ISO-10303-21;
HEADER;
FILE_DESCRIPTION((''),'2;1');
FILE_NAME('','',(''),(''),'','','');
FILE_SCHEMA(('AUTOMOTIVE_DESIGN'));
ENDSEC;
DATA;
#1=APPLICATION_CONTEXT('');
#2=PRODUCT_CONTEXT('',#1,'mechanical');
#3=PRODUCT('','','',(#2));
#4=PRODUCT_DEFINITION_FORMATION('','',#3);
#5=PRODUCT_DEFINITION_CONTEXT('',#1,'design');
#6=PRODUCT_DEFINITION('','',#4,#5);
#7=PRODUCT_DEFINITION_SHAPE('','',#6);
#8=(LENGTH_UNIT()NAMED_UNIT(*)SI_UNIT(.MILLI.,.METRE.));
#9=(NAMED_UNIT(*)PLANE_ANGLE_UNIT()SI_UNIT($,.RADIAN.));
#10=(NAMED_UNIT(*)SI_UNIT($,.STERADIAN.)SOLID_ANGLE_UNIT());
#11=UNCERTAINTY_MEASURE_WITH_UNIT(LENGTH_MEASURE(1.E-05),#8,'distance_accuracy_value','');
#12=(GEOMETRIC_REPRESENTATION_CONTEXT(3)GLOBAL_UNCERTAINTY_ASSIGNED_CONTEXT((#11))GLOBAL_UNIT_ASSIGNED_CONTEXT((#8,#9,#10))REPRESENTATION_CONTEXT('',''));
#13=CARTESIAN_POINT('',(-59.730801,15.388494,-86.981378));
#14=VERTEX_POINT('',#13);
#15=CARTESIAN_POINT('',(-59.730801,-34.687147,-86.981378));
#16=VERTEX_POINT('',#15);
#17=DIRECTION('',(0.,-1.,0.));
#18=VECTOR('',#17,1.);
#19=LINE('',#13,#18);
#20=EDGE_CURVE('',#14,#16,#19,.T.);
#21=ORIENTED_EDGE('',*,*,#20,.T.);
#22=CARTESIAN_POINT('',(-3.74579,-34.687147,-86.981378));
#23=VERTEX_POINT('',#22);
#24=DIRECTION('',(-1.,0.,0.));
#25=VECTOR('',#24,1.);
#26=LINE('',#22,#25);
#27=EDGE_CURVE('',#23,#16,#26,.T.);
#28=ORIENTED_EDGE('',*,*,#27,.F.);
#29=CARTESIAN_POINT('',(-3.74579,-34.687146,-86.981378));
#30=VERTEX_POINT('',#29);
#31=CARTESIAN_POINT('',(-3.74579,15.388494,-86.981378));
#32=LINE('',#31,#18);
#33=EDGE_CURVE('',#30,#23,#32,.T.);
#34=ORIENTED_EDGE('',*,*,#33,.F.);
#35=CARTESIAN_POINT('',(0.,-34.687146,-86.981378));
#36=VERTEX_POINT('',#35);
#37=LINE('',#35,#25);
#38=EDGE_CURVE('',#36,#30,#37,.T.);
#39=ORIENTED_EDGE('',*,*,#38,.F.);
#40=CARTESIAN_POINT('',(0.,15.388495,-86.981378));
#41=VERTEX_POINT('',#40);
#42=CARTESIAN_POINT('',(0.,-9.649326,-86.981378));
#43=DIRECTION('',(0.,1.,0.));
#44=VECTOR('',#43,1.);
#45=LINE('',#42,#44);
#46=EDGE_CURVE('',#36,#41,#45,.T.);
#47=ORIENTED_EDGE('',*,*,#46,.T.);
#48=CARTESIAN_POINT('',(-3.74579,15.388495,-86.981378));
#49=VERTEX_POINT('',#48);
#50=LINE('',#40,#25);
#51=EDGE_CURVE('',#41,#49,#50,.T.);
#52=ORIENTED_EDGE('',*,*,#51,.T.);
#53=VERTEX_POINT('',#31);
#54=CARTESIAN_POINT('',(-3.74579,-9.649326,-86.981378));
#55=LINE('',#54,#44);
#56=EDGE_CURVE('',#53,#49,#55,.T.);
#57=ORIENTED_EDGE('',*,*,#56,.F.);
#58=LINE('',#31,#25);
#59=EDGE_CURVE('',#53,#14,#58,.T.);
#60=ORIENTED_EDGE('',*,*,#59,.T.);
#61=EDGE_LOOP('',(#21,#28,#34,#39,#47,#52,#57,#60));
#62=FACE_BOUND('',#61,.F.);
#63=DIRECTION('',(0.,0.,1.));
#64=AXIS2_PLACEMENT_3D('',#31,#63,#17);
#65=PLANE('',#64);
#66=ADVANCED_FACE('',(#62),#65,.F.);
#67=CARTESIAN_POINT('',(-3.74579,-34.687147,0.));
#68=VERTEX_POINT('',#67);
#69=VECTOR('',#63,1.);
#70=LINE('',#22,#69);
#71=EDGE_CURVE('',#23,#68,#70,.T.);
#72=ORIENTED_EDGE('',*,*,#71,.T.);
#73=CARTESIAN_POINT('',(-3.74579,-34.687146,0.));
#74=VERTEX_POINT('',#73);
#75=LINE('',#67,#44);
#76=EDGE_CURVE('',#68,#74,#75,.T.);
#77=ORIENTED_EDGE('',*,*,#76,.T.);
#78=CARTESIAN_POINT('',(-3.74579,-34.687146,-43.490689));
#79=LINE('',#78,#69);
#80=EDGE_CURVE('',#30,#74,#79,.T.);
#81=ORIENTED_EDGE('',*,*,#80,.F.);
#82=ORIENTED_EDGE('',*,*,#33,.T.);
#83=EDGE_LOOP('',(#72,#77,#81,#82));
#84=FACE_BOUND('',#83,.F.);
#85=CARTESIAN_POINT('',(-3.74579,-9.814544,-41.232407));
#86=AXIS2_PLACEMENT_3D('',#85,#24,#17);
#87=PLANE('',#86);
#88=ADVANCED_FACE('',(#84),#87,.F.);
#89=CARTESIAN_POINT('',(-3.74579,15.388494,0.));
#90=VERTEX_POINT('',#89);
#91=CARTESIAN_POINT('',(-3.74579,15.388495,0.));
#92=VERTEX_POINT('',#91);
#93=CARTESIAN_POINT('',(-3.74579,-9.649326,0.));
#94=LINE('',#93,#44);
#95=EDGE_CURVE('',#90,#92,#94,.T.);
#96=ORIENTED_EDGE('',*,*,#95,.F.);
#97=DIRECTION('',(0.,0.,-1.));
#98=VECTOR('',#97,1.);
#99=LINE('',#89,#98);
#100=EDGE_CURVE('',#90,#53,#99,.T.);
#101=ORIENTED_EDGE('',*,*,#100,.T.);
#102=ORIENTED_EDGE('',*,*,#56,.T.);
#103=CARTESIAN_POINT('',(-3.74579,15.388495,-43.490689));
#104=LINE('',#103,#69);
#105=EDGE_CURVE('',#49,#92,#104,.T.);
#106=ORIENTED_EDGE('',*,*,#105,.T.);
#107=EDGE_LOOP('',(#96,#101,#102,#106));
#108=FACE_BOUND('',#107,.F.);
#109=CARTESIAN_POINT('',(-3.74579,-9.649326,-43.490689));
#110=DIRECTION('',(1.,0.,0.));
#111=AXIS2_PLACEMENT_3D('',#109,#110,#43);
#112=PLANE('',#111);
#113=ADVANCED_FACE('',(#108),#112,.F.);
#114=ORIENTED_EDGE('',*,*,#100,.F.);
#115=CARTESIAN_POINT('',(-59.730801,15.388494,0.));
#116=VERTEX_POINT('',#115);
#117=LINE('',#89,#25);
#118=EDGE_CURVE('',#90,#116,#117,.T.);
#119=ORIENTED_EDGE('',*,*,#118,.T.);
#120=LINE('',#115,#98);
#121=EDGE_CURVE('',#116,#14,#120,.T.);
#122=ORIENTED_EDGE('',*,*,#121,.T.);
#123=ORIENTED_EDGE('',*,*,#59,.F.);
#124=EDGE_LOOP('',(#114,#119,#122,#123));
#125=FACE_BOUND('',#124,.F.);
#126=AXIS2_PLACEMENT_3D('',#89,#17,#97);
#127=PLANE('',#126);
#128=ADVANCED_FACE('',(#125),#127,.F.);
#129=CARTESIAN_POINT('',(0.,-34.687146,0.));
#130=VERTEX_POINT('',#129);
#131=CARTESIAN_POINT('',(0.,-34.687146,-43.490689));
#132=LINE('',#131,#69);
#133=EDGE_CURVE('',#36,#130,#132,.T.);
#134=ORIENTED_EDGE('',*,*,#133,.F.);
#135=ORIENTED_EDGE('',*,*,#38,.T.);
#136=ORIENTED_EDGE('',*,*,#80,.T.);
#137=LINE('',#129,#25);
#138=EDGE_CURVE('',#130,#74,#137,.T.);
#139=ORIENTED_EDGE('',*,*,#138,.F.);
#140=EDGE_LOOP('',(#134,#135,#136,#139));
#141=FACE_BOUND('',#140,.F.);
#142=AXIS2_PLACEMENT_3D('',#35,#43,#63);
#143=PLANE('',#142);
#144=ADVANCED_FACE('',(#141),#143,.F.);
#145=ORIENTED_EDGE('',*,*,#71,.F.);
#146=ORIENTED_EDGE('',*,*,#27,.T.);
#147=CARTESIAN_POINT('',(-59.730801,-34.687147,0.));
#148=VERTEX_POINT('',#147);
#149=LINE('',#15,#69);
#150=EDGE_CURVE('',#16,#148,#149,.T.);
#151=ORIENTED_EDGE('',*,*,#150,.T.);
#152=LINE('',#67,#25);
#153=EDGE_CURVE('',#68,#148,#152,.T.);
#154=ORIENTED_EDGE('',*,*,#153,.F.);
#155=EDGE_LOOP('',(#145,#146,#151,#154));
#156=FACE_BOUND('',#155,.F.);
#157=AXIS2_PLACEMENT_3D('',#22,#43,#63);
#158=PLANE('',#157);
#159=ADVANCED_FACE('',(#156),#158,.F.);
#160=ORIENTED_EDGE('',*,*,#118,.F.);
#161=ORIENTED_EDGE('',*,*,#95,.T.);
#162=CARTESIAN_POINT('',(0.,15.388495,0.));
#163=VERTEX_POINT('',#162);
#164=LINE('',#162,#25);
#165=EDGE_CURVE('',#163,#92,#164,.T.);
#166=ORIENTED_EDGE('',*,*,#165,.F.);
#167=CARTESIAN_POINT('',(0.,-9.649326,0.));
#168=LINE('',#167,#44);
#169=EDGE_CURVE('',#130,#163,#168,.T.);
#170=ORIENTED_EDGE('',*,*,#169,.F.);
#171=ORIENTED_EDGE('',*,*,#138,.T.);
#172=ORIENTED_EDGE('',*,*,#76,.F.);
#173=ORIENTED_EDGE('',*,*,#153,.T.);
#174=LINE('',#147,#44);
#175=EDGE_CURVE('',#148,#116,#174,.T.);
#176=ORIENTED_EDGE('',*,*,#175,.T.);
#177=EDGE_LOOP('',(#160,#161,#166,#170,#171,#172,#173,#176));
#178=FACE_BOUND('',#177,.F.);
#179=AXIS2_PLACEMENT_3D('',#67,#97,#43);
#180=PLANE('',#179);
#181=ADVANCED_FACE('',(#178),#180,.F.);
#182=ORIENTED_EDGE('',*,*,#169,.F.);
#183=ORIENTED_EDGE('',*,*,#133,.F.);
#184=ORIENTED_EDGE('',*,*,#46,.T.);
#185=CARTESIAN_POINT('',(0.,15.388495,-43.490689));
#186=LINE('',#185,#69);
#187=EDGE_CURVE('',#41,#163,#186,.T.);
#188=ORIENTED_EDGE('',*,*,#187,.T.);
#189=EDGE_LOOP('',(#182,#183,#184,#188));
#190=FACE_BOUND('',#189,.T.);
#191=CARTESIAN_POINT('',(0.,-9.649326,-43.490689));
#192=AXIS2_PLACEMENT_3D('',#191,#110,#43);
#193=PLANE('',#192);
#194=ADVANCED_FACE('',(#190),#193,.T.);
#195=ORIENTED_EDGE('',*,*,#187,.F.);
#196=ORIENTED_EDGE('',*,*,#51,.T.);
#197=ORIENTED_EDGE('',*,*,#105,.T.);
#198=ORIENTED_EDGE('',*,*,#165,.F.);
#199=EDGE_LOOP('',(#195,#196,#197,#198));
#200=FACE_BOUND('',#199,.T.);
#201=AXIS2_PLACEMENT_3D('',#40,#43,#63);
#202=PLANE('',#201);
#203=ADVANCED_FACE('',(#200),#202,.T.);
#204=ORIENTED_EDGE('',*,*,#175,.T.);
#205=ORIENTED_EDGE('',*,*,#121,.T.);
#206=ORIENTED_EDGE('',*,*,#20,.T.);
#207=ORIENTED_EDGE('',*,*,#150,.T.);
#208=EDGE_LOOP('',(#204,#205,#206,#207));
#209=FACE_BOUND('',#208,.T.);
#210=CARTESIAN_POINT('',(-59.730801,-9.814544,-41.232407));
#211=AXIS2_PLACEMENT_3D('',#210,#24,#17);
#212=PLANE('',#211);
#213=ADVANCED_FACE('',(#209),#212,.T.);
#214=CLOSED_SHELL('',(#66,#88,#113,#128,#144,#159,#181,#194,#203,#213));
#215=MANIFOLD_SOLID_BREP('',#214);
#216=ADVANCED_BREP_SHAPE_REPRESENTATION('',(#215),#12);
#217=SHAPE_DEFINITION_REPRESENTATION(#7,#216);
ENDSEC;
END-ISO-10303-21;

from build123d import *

# Parameters (mm, degrees)
F0_W     = 50.075641
F0_H     = 86.981378
F1_DEPTH = 3.74579
F2_W     = 41.021582
F2_H     = 82.464814
F3_DEPTH = 55.985011


with BuildPart() as f1:
    # F0 (on Right) → F1 (new body)
    with BuildSketch(Plane.YZ):
        with Locations((-9.649326, -43.490689)):
            Rectangle(F0_W, F0_H)
    extrude(amount=-F1_DEPTH)

    # F2 (on face) → F3 (join)
    with BuildSketch(Plane(origin=(-3.74579, 0, 0), x_dir=(0, -1, 0), z_dir=(-1, 0, 0))):
        with Locations((9.814544, -41.232407)):
            Rectangle(F2_W, F2_H)
        Polygon((-10.696247, -82.464814), (-10.696247, 0), (-15.388494, 0), (-15.388494, -86.981378), (34.687147, -86.981378), (34.687147, 0), (30.325335, 0), (30.325335, -82.464814), align=None)
    extrude(amount=F3_DEPTH)


solid = f1.part
